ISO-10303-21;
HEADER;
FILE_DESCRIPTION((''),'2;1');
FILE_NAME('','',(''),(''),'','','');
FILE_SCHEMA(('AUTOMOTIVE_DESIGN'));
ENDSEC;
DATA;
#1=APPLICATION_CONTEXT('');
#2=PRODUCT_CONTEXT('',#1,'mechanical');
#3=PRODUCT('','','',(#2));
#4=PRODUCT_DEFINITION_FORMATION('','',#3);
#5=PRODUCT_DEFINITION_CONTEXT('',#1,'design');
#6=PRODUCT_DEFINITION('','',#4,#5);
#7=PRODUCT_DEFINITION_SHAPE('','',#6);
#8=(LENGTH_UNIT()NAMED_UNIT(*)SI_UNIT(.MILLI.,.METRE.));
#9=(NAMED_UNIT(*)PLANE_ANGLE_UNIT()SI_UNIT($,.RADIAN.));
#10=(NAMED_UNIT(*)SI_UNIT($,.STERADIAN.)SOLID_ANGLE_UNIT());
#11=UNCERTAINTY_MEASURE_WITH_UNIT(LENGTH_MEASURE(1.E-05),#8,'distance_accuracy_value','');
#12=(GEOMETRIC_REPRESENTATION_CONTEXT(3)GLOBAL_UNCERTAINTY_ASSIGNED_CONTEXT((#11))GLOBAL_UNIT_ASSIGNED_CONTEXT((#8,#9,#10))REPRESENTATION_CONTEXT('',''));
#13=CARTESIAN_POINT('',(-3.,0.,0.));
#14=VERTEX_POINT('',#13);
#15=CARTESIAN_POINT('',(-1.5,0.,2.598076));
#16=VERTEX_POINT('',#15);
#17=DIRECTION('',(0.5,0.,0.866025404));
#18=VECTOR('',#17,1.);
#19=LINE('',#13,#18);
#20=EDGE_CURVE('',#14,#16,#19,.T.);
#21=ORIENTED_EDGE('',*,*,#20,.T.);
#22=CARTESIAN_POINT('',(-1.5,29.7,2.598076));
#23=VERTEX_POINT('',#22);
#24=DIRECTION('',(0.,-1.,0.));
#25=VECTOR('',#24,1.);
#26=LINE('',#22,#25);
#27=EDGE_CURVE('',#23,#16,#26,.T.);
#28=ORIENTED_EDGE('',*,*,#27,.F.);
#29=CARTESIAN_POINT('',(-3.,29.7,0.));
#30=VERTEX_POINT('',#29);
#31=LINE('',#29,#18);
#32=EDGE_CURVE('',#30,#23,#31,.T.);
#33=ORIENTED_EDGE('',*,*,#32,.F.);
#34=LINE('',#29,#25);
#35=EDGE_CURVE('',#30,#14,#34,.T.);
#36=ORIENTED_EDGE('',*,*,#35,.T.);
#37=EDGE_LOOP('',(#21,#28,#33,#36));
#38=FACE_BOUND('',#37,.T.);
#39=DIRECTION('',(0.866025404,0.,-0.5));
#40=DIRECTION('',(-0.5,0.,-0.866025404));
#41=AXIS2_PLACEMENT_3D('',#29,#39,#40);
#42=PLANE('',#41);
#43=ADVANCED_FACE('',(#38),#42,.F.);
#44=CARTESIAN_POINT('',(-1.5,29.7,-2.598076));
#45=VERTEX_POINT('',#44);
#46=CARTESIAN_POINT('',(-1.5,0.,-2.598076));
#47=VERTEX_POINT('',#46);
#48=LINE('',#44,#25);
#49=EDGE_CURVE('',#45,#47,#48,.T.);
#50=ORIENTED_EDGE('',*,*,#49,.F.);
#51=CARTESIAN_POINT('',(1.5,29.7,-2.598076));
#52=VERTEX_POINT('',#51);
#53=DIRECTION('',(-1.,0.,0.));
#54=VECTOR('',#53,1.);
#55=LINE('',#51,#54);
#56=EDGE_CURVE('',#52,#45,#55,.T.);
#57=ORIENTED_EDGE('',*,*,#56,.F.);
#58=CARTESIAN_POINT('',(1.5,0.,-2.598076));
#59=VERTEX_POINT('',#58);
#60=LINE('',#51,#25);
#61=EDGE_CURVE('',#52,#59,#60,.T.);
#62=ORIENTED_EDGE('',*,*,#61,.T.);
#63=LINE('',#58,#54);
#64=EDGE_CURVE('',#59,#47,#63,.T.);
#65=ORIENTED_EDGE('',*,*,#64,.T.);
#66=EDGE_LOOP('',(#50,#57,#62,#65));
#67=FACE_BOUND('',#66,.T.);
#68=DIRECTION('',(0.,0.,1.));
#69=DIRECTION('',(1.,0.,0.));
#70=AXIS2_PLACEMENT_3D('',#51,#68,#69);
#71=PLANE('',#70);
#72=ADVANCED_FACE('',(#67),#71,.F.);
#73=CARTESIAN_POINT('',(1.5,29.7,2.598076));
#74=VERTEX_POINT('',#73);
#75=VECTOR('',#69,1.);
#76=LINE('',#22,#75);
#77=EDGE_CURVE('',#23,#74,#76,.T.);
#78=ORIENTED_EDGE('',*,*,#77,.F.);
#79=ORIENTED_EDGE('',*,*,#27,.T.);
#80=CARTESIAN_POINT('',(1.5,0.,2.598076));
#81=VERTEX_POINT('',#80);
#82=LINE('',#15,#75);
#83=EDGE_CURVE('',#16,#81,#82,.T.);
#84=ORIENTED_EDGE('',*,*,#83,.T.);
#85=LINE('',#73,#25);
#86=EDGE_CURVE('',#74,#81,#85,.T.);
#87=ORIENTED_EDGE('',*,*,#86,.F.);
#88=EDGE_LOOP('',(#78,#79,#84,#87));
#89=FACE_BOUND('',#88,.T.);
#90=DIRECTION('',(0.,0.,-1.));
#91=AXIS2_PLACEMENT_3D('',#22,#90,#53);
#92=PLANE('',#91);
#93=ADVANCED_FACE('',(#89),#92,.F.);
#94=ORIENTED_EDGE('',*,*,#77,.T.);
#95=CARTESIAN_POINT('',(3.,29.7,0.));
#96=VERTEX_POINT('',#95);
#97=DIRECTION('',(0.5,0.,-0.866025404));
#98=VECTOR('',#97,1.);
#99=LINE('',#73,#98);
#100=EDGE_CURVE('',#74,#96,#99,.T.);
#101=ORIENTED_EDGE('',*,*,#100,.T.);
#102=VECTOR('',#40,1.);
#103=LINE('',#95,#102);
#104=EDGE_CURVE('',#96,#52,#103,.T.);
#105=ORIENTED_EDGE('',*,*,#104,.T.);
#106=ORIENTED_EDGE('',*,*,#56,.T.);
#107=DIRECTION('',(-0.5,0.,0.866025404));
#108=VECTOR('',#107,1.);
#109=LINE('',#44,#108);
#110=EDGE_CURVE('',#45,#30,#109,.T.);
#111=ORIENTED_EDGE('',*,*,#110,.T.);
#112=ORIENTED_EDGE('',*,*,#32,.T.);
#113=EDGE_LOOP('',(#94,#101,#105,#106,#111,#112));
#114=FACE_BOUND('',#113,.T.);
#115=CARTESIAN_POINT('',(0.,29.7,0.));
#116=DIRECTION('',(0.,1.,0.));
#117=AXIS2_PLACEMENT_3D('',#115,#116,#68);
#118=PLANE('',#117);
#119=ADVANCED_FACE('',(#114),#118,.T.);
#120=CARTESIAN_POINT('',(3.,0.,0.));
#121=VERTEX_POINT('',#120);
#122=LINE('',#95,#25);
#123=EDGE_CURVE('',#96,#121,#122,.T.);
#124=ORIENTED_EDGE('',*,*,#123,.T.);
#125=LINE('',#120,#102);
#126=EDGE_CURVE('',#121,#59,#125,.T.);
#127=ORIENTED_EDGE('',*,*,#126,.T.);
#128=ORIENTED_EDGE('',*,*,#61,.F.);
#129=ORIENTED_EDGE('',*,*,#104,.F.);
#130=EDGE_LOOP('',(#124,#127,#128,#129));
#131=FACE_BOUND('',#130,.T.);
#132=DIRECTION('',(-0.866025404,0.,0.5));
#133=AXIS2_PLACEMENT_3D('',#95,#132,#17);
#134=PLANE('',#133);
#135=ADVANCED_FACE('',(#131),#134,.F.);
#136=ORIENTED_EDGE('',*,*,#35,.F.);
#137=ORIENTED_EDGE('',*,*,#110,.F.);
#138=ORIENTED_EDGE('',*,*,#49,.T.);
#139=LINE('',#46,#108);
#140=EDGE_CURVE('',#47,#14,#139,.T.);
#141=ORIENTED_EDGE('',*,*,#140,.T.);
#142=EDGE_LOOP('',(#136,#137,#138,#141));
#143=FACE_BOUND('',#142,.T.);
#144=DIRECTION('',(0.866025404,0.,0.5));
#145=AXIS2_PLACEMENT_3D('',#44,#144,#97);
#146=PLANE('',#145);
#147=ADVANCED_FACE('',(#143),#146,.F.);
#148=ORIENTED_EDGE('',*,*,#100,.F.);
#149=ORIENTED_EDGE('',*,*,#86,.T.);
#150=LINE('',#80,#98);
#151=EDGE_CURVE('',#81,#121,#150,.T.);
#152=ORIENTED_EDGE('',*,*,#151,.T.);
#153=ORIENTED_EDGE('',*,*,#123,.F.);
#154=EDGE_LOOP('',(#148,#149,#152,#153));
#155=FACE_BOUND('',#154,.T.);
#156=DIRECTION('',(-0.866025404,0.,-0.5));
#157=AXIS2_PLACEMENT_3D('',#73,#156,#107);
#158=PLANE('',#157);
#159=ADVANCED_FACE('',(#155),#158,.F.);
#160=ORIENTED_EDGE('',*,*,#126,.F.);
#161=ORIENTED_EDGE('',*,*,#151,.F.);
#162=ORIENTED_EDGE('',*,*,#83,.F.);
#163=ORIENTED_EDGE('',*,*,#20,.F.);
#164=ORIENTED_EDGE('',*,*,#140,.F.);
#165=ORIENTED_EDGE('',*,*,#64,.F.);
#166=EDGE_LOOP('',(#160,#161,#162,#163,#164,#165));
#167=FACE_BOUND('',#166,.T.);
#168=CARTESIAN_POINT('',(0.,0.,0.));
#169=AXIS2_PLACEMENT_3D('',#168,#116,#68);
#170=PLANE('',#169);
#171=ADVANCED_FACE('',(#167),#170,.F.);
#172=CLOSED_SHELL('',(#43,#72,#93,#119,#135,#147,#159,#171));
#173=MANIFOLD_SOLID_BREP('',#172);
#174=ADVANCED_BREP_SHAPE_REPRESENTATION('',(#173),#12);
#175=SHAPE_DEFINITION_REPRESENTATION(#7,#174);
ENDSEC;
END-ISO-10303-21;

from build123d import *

# Parameters (mm, degrees)
BOSS_EXTRU_1_DEPTH = 29.7


with BuildPart() as part:
    # Esquisse3 → Boss.-Extru.1 (new body)
    with BuildSketch(Plane(origin=(0, 0, 0), x_dir=(1, 0, 0), z_dir=(0, 1, 0))):
        Polygon((3, 0), (1.5, 2.598076211), (-1.5, 2.598076211), (-3, 0), (-1.5, -2.598076211), (1.5, -2.598076211), align=None)
    extrude(amount=BOSS_EXTRU_1_DEPTH)


solid = part.part
